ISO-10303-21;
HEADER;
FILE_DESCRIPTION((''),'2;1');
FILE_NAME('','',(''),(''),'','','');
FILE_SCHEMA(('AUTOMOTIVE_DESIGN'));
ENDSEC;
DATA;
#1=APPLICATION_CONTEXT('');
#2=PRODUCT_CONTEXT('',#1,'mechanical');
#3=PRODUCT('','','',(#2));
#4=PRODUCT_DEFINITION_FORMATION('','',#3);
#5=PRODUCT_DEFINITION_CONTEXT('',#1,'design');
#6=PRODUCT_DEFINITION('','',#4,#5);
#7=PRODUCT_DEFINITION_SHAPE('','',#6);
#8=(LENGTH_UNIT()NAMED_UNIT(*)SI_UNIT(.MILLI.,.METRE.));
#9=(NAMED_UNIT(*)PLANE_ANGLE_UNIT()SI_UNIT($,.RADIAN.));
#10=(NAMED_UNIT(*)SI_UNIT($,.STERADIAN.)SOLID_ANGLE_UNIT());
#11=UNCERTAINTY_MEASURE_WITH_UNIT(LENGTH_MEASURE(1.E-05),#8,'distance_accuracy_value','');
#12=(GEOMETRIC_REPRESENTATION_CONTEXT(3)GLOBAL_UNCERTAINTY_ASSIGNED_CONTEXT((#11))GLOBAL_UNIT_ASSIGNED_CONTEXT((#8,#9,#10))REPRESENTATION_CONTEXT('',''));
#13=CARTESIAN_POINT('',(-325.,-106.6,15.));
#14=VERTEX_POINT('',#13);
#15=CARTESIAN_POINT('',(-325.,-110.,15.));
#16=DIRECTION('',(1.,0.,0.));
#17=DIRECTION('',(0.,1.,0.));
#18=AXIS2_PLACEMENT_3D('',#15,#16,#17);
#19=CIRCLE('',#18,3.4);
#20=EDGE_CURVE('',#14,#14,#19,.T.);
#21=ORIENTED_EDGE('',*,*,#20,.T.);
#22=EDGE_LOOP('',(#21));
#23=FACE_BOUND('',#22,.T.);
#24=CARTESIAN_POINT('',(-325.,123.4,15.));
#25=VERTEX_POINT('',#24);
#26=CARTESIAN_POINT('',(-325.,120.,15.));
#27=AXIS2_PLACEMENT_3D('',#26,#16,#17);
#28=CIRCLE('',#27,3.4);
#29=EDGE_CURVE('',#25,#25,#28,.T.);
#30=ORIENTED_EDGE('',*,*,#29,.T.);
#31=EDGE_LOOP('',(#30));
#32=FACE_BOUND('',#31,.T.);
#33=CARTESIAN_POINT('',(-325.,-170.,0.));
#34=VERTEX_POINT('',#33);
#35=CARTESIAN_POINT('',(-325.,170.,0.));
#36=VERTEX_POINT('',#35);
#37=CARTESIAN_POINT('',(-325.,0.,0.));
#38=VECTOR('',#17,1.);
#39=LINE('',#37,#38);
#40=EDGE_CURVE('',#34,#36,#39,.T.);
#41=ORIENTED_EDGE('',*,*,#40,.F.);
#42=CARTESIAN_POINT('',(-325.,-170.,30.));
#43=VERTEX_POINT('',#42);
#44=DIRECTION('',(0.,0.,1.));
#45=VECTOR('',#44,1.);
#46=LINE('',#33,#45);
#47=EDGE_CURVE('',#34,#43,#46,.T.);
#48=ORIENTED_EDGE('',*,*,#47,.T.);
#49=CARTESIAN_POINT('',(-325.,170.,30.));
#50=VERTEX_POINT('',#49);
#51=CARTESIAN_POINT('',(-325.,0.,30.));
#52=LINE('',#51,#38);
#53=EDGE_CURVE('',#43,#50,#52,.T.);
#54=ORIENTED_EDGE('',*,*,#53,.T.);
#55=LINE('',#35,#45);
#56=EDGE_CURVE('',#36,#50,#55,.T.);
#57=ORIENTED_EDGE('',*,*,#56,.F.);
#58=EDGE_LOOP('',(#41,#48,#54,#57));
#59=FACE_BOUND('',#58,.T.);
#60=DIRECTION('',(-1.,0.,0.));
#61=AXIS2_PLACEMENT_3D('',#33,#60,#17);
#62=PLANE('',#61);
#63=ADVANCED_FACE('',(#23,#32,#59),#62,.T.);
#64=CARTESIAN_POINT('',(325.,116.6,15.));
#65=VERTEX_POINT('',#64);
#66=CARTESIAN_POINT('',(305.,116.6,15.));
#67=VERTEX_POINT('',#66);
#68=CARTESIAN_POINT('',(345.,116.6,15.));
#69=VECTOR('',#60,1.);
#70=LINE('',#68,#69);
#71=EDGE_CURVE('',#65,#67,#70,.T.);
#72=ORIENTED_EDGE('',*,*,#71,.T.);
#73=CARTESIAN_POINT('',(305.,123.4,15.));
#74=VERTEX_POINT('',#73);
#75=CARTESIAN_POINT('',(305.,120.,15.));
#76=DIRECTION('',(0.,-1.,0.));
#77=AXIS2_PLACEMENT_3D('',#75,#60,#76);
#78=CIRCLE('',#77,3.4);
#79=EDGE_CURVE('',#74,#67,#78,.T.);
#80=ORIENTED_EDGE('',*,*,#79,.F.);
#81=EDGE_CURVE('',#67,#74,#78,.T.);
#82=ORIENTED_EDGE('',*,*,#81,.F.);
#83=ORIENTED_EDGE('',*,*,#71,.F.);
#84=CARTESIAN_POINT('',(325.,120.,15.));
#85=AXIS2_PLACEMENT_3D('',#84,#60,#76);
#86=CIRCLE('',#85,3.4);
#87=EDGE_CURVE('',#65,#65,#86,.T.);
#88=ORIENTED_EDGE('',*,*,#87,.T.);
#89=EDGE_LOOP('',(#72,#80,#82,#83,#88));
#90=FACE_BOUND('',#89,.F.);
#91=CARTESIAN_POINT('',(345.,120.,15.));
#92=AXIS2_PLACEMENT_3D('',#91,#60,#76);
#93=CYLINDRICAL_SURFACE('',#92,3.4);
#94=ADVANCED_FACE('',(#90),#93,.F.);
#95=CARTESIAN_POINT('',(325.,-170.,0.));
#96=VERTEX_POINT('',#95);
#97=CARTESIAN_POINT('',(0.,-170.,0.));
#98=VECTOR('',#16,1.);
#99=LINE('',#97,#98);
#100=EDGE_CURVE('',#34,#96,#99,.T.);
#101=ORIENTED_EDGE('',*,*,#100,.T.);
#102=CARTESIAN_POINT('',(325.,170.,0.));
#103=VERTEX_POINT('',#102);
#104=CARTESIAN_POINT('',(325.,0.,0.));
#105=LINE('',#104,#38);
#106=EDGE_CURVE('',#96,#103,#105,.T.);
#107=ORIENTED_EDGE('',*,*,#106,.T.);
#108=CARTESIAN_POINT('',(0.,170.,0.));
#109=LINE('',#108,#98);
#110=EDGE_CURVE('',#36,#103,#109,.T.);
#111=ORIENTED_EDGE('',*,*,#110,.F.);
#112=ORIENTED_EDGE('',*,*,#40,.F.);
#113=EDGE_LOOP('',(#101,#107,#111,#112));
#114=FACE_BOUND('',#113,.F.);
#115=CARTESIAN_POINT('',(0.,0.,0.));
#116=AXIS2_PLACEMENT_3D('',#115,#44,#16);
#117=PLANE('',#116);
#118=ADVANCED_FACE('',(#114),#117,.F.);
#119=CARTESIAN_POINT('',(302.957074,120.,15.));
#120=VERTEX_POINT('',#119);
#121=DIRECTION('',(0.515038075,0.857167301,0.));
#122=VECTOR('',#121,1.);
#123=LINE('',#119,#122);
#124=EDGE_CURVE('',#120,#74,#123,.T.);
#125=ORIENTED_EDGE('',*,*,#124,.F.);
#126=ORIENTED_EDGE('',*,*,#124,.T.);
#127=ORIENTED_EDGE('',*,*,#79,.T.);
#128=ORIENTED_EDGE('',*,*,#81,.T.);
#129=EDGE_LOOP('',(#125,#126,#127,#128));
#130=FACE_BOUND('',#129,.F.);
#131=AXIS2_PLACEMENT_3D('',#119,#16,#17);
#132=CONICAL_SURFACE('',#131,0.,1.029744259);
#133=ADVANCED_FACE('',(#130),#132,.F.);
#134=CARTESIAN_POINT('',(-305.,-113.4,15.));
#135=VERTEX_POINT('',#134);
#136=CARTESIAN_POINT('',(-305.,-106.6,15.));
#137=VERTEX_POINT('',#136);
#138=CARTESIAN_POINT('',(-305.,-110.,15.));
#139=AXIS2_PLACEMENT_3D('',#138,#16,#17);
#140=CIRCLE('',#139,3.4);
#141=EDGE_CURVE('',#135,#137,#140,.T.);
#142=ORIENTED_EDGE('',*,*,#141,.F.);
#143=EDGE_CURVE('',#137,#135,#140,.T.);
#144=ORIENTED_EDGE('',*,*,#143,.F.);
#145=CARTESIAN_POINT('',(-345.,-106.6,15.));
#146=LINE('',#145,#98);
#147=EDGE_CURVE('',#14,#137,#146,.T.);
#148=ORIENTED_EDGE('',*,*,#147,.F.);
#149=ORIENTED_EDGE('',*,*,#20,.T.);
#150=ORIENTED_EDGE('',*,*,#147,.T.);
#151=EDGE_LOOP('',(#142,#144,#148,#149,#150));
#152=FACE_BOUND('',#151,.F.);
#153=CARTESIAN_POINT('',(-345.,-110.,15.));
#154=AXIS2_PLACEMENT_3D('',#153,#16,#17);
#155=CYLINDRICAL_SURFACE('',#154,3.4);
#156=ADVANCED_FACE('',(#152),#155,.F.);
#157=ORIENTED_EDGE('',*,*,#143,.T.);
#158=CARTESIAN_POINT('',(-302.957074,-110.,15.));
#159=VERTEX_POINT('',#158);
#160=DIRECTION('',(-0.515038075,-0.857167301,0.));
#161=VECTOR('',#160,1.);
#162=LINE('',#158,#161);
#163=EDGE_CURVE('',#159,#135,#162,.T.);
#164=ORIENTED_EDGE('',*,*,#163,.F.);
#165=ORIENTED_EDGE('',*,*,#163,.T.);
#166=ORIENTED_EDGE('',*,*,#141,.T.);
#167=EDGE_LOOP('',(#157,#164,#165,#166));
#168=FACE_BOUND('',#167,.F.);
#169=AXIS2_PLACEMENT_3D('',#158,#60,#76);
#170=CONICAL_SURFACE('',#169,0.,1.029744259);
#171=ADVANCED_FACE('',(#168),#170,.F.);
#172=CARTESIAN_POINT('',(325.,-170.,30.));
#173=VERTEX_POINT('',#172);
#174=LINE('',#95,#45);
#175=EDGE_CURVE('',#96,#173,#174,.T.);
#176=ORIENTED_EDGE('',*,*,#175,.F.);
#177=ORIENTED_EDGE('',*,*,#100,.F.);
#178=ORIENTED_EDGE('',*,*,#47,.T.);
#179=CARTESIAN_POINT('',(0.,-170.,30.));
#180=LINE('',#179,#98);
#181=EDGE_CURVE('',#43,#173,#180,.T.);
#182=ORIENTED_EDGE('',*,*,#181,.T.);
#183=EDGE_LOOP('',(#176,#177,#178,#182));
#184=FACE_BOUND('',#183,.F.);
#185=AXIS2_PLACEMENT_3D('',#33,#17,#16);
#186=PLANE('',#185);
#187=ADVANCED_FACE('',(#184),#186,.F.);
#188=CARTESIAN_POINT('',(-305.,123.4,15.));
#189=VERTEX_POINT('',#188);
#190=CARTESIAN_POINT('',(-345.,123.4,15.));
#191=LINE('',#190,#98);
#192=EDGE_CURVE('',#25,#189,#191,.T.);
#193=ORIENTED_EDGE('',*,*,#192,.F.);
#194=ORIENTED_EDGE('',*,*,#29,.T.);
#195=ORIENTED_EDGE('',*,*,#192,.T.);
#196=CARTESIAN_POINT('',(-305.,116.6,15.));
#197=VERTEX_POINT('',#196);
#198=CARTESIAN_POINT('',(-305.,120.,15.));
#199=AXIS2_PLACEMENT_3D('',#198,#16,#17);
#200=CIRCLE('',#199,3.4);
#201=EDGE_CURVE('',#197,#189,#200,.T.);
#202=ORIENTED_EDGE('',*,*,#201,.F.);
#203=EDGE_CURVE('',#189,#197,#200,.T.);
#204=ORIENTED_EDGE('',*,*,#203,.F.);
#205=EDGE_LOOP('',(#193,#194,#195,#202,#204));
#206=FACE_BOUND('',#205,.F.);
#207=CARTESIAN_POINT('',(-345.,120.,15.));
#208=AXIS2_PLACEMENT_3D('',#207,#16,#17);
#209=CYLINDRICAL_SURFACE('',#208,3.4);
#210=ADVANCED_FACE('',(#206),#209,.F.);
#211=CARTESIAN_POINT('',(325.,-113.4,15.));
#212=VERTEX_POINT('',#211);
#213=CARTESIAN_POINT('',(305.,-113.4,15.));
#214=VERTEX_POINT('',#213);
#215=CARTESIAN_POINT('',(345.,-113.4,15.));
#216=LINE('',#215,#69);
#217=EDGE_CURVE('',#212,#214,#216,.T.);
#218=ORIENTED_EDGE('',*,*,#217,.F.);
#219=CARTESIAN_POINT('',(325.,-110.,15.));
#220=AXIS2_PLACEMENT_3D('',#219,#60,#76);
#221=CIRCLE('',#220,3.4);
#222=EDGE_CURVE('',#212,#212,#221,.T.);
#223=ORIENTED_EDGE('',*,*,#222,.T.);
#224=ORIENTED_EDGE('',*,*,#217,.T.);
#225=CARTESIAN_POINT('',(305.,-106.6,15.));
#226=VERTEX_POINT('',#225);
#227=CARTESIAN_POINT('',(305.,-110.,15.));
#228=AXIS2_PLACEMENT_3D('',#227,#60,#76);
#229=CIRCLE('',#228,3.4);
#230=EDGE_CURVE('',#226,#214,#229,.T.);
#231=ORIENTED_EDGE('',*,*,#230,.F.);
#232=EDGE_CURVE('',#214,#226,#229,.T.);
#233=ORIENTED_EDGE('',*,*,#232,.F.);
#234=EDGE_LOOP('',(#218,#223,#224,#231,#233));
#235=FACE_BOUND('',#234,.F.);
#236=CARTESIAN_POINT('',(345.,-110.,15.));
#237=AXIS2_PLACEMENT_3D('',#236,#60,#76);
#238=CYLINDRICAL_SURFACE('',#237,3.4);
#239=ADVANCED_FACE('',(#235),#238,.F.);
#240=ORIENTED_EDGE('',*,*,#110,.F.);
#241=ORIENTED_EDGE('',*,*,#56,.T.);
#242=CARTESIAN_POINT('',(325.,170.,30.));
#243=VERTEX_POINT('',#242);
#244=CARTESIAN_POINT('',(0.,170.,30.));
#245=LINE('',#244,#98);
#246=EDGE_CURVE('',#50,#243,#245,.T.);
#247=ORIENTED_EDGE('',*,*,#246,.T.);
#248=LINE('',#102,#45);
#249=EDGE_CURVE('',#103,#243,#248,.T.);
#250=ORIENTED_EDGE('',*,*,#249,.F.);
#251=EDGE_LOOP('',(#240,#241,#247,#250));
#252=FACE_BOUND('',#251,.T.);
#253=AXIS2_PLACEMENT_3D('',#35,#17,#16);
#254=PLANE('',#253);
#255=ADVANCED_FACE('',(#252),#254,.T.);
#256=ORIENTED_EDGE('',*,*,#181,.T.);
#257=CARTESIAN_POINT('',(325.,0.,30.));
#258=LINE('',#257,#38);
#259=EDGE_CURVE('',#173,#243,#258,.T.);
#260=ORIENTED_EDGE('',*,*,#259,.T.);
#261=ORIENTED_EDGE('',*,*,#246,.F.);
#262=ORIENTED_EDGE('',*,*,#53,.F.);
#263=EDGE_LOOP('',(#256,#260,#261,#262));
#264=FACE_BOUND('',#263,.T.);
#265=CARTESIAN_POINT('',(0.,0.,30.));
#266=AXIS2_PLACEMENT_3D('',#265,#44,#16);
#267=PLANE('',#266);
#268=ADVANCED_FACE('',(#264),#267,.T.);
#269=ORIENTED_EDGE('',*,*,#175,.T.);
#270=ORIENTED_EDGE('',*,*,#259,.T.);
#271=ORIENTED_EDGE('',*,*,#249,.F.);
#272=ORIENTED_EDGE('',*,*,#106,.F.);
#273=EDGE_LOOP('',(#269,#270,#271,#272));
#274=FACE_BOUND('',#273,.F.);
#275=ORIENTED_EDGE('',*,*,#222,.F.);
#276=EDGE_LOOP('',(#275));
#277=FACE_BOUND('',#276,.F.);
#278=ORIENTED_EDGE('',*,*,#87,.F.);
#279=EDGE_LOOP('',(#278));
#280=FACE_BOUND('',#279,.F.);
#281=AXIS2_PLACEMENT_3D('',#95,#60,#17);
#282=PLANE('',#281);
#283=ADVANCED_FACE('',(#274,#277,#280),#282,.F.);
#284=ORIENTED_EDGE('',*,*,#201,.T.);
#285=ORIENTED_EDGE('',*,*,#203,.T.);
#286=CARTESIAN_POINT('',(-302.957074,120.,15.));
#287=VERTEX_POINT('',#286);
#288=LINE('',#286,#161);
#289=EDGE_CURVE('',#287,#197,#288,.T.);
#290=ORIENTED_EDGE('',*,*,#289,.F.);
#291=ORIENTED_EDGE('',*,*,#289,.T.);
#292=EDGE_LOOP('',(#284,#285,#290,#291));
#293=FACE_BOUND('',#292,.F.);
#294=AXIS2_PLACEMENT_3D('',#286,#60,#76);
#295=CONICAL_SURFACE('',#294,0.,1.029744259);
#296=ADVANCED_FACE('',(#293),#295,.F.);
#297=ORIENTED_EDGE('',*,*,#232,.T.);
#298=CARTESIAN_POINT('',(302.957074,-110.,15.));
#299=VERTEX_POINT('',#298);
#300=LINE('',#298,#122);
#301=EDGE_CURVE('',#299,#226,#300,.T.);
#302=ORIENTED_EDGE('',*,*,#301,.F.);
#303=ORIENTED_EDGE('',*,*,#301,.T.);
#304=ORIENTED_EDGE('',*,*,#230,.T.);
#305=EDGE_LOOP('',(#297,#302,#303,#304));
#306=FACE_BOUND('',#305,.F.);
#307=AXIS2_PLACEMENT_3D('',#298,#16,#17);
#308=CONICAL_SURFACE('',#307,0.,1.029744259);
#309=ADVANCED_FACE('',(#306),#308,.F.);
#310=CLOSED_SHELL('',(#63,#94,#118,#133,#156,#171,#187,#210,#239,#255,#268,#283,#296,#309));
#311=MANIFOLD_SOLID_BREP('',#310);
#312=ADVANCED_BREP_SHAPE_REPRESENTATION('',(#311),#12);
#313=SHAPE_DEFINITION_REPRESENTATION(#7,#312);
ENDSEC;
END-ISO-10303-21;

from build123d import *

# Parameters (mm, degrees)
F0_W           = 650
F0_H           = 340
F1_DEPTH       = 30
F4_D           = 6.8
F4_DEPTH       = 20
F4_TIP         = 2.0429261047
F4_ON_F3_D     = 6.8
F4_ON_F3_DEPTH = 20
F4_ON_F3_TIP   = 2.0429261047


with BuildPart() as f1:
    # F0 (on Top) → F1 (new body)
    with BuildSketch(Plane.XY):
        Rectangle(F0_W, F0_H)
    extrude(amount=F1_DEPTH)

    # F4
    with Locations(Plane.YZ.offset(325)):
        with Locations((-110, 15), (120, 15)):
            Hole(F4_D / 2, depth=F4_DEPTH)
            with Locations((0, 0, -(F4_DEPTH + F4_TIP / 2))):  # 118° drill point
                Cone(0, F4_D / 2, F4_TIP, mode=Mode.SUBTRACT)

    # F4 on F3
    with Locations(Plane(origin=(-325, 0, 0), x_dir=(0, -1, 0), z_dir=(-1, 0, 0))):
        with Locations((-120, 15), (110, 15)):
            Hole(F4_ON_F3_D / 2, depth=F4_ON_F3_DEPTH)
            with Locations((0, 0, -(F4_ON_F3_DEPTH + F4_ON_F3_TIP / 2))):  # 118° drill point
                Cone(0, F4_ON_F3_D / 2, F4_ON_F3_TIP, mode=Mode.SUBTRACT)


solid = f1.part
